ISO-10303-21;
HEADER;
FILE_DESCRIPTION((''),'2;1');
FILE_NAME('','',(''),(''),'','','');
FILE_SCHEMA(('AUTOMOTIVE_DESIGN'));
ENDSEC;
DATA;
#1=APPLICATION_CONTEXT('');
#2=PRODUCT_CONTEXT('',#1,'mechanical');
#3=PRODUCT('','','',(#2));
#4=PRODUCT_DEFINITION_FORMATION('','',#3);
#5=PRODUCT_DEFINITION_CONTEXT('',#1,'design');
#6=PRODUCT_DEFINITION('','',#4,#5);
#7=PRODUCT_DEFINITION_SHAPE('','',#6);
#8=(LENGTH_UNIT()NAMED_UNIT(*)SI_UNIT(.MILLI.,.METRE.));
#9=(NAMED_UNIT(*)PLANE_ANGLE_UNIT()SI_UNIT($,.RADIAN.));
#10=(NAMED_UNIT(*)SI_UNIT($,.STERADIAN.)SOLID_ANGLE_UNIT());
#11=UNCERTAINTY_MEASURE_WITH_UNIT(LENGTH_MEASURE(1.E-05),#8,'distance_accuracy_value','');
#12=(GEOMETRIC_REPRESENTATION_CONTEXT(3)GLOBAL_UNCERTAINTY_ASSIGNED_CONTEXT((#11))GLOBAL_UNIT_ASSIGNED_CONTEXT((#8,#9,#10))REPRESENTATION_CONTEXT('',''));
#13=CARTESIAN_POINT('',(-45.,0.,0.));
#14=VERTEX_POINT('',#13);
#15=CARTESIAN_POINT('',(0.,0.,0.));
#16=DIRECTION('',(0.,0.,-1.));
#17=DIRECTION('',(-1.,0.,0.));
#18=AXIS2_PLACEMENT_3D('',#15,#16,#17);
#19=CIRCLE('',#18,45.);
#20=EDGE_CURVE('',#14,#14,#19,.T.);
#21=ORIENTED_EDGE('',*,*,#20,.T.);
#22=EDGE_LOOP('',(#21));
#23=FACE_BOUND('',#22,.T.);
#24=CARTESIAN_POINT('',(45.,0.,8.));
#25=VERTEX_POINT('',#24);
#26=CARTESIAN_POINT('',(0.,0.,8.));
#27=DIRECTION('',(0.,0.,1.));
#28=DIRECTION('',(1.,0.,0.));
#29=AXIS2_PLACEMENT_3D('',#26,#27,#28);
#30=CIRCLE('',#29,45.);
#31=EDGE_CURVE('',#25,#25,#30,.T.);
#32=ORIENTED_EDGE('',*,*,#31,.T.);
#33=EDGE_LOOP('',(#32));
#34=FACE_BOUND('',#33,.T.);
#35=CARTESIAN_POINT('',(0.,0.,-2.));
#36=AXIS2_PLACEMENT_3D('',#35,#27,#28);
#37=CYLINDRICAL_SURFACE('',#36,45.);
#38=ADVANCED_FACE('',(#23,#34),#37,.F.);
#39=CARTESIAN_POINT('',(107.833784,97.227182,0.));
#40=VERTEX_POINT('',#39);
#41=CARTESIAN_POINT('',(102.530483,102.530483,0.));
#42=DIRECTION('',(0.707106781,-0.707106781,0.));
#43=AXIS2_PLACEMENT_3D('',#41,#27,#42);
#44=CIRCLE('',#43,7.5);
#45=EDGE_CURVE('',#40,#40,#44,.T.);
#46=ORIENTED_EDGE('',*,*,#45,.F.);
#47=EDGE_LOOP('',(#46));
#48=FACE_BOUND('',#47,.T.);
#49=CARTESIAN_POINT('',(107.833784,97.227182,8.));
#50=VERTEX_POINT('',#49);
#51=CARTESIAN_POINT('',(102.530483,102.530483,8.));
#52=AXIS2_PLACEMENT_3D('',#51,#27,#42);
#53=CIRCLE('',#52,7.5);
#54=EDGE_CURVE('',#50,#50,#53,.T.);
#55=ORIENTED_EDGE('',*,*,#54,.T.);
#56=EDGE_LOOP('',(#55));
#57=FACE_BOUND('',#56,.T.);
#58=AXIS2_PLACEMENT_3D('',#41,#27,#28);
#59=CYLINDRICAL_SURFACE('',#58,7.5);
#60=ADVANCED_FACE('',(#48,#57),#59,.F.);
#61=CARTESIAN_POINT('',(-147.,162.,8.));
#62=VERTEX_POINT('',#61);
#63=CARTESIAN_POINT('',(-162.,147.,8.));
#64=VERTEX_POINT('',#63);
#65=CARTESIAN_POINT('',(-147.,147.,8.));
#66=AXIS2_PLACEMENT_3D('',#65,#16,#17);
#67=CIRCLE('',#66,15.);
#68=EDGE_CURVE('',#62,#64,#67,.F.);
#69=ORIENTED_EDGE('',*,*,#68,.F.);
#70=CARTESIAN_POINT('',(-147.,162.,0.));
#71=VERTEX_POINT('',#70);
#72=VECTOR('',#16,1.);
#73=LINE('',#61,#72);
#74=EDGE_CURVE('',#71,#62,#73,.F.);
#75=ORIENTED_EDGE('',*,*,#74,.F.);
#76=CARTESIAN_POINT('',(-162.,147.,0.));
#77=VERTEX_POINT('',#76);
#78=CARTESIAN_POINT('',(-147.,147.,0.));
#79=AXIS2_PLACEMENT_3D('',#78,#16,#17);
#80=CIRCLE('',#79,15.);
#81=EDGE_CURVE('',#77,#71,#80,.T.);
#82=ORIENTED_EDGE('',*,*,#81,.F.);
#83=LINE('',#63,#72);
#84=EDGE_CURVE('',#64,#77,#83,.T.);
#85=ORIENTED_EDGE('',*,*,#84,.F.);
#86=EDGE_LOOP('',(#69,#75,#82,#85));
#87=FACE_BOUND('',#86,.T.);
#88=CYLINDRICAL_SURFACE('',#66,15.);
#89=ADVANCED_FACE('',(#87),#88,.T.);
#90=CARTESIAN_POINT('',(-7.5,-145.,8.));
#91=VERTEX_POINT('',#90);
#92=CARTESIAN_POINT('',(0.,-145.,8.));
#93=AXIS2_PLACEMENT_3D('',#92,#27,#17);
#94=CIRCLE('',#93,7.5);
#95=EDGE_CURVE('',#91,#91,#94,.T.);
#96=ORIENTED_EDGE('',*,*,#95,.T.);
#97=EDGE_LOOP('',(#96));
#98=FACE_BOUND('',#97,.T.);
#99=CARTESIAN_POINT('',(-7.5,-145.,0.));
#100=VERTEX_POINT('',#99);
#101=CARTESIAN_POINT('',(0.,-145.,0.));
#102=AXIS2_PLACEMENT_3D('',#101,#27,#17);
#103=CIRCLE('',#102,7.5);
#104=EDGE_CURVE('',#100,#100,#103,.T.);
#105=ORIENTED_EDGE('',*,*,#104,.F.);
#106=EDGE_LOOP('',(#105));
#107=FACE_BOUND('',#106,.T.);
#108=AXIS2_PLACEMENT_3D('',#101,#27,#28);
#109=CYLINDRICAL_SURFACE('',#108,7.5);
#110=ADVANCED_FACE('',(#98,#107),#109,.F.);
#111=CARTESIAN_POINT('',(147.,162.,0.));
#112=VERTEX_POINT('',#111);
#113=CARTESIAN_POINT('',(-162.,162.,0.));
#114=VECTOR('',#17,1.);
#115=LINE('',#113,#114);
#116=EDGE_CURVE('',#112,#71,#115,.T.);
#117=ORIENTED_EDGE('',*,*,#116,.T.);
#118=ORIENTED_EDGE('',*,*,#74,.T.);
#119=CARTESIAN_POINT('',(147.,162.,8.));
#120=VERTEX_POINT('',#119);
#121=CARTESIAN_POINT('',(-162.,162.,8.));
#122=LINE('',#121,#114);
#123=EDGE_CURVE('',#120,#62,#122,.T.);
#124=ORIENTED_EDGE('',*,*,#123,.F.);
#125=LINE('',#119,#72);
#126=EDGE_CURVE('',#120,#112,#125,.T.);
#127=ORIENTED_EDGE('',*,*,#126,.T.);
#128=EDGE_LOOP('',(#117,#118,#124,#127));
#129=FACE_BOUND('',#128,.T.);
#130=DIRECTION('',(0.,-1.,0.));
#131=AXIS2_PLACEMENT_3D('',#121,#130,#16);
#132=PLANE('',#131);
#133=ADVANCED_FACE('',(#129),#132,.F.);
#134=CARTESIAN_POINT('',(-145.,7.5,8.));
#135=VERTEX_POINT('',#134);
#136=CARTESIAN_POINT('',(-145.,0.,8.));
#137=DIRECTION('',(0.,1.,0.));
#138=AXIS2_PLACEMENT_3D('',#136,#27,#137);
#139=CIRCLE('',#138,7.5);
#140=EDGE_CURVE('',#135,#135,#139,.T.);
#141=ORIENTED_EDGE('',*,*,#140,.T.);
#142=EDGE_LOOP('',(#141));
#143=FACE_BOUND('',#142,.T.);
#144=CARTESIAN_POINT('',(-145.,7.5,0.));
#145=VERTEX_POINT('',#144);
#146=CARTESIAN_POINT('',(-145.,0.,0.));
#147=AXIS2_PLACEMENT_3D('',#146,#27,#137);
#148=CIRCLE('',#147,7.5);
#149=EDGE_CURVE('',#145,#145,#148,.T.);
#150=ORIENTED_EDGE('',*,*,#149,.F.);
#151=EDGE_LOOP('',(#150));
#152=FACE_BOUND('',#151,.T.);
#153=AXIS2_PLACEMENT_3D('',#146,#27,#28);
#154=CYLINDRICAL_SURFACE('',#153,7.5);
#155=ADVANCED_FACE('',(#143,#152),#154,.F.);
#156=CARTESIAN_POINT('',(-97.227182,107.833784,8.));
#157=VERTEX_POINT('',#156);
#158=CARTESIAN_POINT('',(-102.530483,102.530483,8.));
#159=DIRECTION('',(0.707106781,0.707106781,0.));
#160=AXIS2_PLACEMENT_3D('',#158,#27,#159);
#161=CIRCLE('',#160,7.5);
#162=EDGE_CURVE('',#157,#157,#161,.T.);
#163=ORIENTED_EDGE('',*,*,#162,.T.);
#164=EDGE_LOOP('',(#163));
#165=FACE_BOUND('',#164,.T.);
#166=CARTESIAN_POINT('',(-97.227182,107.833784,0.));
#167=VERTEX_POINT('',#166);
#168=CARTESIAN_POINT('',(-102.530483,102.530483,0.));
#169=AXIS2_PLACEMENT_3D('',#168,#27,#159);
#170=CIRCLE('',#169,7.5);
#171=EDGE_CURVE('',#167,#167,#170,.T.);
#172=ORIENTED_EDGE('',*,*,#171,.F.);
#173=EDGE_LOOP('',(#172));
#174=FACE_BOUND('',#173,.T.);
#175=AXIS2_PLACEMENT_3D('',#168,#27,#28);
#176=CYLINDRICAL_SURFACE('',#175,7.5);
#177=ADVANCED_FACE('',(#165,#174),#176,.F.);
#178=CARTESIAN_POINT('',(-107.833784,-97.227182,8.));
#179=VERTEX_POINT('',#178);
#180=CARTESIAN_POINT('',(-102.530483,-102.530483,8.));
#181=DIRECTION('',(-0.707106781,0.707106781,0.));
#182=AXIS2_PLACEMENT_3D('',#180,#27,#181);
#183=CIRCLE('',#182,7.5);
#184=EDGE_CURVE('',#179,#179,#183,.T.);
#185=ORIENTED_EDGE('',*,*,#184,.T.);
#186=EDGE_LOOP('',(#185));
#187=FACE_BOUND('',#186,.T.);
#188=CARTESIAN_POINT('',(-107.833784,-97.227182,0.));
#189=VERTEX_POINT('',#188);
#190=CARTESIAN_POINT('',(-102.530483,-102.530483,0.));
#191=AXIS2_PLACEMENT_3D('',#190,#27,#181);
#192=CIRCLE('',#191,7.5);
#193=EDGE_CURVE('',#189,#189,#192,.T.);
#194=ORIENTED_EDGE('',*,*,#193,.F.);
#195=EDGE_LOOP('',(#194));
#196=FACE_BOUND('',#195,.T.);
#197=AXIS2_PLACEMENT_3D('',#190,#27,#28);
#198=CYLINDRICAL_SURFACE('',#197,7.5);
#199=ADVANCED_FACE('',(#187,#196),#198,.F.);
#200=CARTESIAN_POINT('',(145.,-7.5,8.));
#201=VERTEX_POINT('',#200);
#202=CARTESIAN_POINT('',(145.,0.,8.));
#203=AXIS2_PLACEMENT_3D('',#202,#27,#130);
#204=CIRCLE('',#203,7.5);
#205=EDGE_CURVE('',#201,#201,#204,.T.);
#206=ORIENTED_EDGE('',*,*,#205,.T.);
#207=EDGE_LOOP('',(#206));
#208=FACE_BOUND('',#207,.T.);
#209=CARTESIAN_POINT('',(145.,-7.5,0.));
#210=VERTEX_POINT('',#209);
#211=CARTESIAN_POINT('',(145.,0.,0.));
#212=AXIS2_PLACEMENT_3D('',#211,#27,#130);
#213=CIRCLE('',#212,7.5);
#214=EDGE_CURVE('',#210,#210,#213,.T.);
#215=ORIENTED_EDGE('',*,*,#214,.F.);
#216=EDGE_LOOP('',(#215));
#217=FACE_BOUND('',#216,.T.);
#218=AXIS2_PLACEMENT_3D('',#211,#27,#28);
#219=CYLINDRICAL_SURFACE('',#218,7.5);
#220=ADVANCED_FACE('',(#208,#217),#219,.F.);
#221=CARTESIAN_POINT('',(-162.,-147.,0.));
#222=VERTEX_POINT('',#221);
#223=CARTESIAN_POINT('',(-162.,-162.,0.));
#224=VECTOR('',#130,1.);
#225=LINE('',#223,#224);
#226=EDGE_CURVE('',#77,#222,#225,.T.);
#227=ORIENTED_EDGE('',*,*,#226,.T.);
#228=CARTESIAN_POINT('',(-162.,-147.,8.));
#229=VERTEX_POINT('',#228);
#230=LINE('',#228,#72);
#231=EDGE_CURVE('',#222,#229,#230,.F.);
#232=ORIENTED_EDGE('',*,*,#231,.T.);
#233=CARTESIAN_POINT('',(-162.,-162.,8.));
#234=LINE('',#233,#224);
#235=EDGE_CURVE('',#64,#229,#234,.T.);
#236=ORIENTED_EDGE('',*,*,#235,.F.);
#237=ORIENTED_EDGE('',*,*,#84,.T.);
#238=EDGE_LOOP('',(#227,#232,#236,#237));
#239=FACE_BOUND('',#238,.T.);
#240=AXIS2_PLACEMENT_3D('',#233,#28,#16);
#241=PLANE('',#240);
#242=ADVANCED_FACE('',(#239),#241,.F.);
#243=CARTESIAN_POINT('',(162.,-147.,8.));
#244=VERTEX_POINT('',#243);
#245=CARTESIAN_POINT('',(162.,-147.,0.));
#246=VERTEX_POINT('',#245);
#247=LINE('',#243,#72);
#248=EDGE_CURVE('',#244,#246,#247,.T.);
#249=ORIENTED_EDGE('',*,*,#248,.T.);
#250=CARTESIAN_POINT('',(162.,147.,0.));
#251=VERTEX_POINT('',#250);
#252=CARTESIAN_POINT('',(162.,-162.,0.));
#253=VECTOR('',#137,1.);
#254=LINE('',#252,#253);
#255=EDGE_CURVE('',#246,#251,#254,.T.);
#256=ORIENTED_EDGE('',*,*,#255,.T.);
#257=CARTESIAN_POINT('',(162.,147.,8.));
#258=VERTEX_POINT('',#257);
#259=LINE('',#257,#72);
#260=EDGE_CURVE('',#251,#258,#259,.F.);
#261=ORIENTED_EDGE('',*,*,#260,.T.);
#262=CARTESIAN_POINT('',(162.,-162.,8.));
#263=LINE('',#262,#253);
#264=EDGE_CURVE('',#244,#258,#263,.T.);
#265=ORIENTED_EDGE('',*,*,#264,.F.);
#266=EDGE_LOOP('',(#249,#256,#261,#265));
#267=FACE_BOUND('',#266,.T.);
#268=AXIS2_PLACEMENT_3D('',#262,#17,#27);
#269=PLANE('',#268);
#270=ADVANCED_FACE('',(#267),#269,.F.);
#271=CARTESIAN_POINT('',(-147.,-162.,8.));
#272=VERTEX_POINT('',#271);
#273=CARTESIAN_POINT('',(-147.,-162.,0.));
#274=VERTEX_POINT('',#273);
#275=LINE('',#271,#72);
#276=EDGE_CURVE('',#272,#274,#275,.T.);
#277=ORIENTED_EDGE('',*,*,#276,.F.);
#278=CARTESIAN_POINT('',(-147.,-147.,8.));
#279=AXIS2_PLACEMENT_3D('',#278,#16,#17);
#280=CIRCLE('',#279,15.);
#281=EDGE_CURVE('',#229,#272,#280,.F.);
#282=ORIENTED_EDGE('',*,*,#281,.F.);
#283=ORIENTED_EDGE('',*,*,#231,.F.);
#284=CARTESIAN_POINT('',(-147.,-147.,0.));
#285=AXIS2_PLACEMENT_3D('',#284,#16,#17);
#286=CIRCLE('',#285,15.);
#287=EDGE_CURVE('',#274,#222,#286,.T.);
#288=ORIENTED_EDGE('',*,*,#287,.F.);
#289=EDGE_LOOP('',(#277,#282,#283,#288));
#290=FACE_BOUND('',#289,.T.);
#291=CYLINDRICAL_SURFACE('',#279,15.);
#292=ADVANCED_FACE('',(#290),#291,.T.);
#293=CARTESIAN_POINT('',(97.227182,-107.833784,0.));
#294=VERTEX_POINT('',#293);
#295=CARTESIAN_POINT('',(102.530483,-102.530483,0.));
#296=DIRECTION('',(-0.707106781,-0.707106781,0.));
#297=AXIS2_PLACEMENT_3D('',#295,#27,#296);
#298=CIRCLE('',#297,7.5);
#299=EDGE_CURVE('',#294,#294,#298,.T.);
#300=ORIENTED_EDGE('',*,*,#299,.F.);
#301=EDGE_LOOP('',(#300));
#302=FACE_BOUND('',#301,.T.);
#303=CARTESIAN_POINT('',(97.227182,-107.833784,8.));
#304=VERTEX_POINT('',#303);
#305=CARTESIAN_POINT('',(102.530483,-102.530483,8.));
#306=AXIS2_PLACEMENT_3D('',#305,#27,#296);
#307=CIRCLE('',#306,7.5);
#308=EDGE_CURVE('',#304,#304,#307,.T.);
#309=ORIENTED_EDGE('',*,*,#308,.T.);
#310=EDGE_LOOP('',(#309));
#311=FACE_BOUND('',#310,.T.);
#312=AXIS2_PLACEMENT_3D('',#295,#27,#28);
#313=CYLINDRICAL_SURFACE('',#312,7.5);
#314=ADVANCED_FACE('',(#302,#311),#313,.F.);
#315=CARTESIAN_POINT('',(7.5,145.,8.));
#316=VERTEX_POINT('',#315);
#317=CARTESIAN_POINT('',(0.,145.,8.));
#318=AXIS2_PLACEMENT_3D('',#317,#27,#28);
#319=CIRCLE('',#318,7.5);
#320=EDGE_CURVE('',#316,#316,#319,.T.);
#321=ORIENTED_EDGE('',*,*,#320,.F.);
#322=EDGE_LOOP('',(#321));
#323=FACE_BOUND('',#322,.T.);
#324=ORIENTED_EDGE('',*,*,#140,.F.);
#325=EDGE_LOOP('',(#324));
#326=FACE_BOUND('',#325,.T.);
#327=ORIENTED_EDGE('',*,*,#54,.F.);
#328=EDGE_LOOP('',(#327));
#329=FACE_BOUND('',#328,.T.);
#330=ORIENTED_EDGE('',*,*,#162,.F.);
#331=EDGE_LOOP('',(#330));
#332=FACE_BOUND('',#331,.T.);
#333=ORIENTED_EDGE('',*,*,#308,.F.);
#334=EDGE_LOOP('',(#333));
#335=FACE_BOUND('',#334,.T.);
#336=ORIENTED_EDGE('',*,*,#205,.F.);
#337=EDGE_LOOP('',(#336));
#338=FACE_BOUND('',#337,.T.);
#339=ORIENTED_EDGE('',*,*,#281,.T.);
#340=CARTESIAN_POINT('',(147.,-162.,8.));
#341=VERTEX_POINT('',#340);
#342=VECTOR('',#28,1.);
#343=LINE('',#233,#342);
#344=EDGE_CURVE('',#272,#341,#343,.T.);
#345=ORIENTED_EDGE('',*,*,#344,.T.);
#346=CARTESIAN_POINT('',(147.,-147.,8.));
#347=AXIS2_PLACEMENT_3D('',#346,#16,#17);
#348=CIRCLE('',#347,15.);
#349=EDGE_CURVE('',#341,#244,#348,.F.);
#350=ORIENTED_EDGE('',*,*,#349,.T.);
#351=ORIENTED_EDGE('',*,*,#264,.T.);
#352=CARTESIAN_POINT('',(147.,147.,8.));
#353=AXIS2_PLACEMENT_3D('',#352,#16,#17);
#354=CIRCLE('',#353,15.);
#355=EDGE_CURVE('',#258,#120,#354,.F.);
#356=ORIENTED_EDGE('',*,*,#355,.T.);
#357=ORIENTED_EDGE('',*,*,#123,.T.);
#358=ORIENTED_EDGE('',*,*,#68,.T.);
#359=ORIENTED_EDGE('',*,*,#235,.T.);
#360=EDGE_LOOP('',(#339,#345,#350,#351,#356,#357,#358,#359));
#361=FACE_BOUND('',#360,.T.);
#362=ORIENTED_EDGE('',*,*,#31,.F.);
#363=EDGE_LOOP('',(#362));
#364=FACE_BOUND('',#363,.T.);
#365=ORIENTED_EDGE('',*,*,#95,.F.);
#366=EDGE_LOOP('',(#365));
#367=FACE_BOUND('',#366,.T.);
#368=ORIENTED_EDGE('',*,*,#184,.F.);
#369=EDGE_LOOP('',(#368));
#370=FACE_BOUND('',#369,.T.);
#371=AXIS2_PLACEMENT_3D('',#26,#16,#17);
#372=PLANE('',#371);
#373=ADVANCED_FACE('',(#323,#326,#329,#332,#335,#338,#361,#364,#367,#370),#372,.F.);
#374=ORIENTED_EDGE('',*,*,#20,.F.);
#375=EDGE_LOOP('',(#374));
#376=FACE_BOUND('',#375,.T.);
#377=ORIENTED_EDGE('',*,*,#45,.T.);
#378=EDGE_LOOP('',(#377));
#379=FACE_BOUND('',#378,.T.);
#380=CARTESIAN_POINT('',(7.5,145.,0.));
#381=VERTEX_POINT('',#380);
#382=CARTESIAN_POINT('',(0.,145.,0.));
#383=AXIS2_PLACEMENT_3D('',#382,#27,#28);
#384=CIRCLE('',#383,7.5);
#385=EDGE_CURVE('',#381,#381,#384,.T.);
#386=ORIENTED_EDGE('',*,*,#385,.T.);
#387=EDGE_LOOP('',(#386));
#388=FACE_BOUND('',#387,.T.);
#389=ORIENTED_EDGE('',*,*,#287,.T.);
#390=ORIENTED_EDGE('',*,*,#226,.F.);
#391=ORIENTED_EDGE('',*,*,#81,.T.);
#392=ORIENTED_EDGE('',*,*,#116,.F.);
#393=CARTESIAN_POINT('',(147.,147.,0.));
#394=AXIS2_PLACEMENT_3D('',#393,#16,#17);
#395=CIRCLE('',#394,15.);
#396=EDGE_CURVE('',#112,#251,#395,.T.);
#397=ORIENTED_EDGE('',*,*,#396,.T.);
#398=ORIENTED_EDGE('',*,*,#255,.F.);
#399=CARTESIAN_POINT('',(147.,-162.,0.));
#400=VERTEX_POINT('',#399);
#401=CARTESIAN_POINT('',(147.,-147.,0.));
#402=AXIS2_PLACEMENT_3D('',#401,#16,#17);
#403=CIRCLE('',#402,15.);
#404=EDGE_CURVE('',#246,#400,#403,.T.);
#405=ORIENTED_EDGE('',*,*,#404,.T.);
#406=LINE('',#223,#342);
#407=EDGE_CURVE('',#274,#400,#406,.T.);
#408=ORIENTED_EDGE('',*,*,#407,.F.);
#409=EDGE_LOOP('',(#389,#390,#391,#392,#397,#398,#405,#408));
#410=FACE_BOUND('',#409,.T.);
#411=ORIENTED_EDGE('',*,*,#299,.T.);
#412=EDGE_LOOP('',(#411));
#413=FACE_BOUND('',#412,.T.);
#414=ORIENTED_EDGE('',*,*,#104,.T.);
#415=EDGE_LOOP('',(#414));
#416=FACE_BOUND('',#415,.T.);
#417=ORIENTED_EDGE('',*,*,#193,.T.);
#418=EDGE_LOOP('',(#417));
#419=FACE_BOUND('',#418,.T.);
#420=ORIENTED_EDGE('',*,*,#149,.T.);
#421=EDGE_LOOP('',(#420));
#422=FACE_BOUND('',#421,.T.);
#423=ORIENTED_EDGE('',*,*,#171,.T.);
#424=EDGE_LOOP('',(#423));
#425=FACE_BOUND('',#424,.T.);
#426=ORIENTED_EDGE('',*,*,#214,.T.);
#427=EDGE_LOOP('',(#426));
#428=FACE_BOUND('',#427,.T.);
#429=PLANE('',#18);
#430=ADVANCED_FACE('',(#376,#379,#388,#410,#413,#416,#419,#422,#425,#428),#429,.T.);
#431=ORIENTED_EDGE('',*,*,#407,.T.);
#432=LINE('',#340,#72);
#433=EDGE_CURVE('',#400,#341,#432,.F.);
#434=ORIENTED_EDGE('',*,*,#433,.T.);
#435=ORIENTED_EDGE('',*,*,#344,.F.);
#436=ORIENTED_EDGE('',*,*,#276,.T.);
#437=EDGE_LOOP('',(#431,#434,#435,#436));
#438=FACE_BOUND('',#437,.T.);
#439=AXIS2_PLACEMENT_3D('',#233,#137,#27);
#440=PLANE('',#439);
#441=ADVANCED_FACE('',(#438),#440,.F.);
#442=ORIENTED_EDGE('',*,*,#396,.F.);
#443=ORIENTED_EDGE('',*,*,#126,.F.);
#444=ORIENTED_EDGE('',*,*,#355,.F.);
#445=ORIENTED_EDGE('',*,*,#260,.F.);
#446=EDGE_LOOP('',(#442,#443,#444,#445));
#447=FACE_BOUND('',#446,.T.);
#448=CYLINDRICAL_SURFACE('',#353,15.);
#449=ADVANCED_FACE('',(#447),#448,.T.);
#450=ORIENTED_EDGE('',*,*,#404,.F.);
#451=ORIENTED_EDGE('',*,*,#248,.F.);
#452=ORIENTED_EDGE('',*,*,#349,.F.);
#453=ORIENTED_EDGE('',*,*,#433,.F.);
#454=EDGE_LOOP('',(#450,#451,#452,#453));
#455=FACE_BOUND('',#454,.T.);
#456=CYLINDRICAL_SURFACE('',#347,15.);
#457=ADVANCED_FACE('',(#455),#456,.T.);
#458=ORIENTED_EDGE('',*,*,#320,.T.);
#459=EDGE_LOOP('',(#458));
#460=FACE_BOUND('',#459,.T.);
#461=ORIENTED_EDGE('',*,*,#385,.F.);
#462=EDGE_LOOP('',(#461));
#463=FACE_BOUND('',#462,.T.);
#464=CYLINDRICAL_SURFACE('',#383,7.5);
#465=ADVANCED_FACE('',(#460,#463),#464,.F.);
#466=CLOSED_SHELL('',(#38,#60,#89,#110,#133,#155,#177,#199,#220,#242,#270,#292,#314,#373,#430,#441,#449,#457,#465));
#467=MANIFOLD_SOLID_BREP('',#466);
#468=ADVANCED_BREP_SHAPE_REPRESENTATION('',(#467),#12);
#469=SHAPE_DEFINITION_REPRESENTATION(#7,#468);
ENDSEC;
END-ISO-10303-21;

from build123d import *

# Parameters (mm, degrees)
SKETCH1_W           = 324
SKETCH1_H           = 324
BOSS_EXTRUDE1_DEPTH = 8
SKETCH2_R           = 7.5
CUT_EXTRUDE1_DEPTH  = 8
SKETCH3_R           = 45
CUT_EXTRUDE2_DEPTH  = 10
CIRPATTERN1_COUNT   = 8
FILLET1_R           = 15


with BuildPart() as part:
    # Sketch1 → Boss-Extrude1 (new body)
    with BuildSketch(Plane.XY):
        Rectangle(SKETCH1_W, SKETCH1_H)
    extrude(amount=BOSS_EXTRUDE1_DEPTH)

    # Sketch2 → Cut-Extrude1 (cut)
    with BuildSketch(Plane.XY.offset(8)):
        with Locations((0, 145)):
            Circle(SKETCH2_R)
    cut_extrude1 = extrude(amount=-CUT_EXTRUDE1_DEPTH, mode=Mode.SUBTRACT)

    # Sketch3 → Cut-Extrude2 (cut)
    with BuildSketch(Plane.XY.offset(8)):
        Circle(SKETCH3_R)
    extrude(amount=-CUT_EXTRUDE2_DEPTH, mode=Mode.SUBTRACT)

    # CirPattern1: Cut-Extrude1 ×8 about axis
    cirpattern1_axis = Axis((0, 0, 0), (0, 0, 1))
    for i in range(1, CIRPATTERN1_COUNT):
        add(cut_extrude1.rotate(cirpattern1_axis, i * 360 / CIRPATTERN1_COUNT), mode=Mode.SUBTRACT)

    # Fillet1
    fillet1_edges = [part.edges().sort_by_distance(p)[0] for p in [
        (162, -162, 4),
        (-162, -162, 4),
        (-162, 162, 4),
        (162, 162, 4),
    ]]
    fillet(fillet1_edges, radius=FILLET1_R)


solid = part.part
